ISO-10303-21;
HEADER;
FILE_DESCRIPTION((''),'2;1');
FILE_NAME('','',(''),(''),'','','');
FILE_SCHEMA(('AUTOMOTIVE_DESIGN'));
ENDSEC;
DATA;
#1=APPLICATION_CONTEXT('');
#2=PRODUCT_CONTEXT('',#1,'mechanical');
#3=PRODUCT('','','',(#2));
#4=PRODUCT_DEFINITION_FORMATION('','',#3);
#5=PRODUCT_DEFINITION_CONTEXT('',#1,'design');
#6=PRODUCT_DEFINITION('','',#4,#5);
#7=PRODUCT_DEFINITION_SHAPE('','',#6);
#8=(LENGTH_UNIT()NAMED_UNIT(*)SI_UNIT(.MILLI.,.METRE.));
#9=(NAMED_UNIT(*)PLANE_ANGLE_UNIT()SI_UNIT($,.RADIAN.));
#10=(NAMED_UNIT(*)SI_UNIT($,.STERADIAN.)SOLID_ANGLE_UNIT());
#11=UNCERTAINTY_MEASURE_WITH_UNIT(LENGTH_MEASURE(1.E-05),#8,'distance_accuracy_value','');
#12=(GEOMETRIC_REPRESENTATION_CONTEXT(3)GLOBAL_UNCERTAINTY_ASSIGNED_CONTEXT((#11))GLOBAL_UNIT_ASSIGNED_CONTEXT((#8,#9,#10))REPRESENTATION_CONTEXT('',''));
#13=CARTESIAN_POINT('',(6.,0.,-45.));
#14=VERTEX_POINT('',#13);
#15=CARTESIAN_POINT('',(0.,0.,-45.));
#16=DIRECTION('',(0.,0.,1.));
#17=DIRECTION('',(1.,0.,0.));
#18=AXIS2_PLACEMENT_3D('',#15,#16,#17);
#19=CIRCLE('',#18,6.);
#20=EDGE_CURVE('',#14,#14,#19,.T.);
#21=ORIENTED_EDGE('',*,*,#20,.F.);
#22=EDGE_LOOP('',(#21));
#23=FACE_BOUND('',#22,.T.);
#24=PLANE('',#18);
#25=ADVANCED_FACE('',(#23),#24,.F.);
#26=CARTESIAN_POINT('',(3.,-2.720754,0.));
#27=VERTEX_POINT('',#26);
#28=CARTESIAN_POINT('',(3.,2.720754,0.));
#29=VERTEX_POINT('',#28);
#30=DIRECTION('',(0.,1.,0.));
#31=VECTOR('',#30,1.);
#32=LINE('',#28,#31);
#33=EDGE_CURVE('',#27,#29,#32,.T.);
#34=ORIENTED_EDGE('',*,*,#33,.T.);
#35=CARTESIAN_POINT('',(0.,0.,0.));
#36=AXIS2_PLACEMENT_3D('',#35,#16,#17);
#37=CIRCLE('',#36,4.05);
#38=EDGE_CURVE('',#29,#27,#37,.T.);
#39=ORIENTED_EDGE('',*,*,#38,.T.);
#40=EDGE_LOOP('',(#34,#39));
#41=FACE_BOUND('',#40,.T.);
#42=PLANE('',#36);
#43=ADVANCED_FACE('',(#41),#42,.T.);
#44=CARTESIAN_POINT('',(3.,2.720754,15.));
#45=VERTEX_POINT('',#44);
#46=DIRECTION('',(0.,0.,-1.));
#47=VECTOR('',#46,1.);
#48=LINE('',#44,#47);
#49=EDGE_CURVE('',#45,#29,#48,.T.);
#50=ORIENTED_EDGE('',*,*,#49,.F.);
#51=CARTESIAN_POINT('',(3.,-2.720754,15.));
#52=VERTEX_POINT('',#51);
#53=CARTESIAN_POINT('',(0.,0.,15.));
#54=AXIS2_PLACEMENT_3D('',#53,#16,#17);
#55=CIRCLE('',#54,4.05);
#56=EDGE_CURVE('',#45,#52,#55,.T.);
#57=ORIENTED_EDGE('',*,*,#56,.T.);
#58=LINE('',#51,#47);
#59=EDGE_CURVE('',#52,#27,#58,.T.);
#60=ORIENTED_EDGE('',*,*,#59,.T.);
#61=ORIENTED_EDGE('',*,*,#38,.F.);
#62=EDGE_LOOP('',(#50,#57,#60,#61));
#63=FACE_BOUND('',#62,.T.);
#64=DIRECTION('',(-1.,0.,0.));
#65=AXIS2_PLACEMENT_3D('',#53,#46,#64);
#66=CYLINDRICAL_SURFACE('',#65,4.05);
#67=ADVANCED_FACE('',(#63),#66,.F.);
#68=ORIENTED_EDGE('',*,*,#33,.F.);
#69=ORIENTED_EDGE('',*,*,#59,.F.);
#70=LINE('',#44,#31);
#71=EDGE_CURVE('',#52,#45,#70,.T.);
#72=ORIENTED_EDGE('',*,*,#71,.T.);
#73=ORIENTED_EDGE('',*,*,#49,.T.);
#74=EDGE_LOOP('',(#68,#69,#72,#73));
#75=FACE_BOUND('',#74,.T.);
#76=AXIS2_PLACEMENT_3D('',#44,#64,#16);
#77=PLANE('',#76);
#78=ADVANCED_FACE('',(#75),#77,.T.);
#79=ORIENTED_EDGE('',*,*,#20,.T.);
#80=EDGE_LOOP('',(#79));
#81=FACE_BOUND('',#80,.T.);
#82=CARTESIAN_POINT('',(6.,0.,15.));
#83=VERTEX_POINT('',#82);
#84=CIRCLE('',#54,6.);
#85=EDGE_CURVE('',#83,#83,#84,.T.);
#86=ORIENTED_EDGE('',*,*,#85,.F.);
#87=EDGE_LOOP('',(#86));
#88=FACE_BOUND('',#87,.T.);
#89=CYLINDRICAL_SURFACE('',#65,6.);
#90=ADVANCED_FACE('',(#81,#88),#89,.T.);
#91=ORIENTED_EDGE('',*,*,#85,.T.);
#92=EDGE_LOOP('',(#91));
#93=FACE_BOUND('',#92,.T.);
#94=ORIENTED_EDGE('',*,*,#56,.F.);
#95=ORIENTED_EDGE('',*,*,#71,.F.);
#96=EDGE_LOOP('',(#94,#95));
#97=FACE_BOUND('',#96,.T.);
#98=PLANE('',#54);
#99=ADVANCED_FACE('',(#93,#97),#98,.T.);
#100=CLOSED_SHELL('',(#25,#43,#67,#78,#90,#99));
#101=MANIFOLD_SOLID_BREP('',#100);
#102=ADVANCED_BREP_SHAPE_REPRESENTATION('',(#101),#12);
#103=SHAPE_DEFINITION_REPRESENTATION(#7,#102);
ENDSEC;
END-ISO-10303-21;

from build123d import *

# Parameters (mm, degrees)
SKETCH1_R           = 6
BOSS_EXTRUDE1_DEPTH = 15
BOSS_EXTRUDE2_START = -45
SKETCH2_R           = 6
BOSS_EXTRUDE2_DEPTH = 45


with BuildPart() as part:
    # Sketch1 → Boss-Extrude1 (new body)
    with BuildSketch(Plane.XY):
        Circle(SKETCH1_R)
        with BuildLine():
            Line((3, 2.720753572), (3, -2.720753572))
            ThreePointArc((3, -2.720753572), (-4.05, 0), (3, 2.720753572))
        make_face(mode=Mode.SUBTRACT)
    extrude(amount=BOSS_EXTRUDE1_DEPTH)

    # Sketch2 → Boss-Extrude2 (add)
    with BuildSketch(Plane.XY.offset(BOSS_EXTRUDE2_START)):
        Circle(SKETCH2_R)
    extrude(amount=BOSS_EXTRUDE2_DEPTH)


solid = part.part
